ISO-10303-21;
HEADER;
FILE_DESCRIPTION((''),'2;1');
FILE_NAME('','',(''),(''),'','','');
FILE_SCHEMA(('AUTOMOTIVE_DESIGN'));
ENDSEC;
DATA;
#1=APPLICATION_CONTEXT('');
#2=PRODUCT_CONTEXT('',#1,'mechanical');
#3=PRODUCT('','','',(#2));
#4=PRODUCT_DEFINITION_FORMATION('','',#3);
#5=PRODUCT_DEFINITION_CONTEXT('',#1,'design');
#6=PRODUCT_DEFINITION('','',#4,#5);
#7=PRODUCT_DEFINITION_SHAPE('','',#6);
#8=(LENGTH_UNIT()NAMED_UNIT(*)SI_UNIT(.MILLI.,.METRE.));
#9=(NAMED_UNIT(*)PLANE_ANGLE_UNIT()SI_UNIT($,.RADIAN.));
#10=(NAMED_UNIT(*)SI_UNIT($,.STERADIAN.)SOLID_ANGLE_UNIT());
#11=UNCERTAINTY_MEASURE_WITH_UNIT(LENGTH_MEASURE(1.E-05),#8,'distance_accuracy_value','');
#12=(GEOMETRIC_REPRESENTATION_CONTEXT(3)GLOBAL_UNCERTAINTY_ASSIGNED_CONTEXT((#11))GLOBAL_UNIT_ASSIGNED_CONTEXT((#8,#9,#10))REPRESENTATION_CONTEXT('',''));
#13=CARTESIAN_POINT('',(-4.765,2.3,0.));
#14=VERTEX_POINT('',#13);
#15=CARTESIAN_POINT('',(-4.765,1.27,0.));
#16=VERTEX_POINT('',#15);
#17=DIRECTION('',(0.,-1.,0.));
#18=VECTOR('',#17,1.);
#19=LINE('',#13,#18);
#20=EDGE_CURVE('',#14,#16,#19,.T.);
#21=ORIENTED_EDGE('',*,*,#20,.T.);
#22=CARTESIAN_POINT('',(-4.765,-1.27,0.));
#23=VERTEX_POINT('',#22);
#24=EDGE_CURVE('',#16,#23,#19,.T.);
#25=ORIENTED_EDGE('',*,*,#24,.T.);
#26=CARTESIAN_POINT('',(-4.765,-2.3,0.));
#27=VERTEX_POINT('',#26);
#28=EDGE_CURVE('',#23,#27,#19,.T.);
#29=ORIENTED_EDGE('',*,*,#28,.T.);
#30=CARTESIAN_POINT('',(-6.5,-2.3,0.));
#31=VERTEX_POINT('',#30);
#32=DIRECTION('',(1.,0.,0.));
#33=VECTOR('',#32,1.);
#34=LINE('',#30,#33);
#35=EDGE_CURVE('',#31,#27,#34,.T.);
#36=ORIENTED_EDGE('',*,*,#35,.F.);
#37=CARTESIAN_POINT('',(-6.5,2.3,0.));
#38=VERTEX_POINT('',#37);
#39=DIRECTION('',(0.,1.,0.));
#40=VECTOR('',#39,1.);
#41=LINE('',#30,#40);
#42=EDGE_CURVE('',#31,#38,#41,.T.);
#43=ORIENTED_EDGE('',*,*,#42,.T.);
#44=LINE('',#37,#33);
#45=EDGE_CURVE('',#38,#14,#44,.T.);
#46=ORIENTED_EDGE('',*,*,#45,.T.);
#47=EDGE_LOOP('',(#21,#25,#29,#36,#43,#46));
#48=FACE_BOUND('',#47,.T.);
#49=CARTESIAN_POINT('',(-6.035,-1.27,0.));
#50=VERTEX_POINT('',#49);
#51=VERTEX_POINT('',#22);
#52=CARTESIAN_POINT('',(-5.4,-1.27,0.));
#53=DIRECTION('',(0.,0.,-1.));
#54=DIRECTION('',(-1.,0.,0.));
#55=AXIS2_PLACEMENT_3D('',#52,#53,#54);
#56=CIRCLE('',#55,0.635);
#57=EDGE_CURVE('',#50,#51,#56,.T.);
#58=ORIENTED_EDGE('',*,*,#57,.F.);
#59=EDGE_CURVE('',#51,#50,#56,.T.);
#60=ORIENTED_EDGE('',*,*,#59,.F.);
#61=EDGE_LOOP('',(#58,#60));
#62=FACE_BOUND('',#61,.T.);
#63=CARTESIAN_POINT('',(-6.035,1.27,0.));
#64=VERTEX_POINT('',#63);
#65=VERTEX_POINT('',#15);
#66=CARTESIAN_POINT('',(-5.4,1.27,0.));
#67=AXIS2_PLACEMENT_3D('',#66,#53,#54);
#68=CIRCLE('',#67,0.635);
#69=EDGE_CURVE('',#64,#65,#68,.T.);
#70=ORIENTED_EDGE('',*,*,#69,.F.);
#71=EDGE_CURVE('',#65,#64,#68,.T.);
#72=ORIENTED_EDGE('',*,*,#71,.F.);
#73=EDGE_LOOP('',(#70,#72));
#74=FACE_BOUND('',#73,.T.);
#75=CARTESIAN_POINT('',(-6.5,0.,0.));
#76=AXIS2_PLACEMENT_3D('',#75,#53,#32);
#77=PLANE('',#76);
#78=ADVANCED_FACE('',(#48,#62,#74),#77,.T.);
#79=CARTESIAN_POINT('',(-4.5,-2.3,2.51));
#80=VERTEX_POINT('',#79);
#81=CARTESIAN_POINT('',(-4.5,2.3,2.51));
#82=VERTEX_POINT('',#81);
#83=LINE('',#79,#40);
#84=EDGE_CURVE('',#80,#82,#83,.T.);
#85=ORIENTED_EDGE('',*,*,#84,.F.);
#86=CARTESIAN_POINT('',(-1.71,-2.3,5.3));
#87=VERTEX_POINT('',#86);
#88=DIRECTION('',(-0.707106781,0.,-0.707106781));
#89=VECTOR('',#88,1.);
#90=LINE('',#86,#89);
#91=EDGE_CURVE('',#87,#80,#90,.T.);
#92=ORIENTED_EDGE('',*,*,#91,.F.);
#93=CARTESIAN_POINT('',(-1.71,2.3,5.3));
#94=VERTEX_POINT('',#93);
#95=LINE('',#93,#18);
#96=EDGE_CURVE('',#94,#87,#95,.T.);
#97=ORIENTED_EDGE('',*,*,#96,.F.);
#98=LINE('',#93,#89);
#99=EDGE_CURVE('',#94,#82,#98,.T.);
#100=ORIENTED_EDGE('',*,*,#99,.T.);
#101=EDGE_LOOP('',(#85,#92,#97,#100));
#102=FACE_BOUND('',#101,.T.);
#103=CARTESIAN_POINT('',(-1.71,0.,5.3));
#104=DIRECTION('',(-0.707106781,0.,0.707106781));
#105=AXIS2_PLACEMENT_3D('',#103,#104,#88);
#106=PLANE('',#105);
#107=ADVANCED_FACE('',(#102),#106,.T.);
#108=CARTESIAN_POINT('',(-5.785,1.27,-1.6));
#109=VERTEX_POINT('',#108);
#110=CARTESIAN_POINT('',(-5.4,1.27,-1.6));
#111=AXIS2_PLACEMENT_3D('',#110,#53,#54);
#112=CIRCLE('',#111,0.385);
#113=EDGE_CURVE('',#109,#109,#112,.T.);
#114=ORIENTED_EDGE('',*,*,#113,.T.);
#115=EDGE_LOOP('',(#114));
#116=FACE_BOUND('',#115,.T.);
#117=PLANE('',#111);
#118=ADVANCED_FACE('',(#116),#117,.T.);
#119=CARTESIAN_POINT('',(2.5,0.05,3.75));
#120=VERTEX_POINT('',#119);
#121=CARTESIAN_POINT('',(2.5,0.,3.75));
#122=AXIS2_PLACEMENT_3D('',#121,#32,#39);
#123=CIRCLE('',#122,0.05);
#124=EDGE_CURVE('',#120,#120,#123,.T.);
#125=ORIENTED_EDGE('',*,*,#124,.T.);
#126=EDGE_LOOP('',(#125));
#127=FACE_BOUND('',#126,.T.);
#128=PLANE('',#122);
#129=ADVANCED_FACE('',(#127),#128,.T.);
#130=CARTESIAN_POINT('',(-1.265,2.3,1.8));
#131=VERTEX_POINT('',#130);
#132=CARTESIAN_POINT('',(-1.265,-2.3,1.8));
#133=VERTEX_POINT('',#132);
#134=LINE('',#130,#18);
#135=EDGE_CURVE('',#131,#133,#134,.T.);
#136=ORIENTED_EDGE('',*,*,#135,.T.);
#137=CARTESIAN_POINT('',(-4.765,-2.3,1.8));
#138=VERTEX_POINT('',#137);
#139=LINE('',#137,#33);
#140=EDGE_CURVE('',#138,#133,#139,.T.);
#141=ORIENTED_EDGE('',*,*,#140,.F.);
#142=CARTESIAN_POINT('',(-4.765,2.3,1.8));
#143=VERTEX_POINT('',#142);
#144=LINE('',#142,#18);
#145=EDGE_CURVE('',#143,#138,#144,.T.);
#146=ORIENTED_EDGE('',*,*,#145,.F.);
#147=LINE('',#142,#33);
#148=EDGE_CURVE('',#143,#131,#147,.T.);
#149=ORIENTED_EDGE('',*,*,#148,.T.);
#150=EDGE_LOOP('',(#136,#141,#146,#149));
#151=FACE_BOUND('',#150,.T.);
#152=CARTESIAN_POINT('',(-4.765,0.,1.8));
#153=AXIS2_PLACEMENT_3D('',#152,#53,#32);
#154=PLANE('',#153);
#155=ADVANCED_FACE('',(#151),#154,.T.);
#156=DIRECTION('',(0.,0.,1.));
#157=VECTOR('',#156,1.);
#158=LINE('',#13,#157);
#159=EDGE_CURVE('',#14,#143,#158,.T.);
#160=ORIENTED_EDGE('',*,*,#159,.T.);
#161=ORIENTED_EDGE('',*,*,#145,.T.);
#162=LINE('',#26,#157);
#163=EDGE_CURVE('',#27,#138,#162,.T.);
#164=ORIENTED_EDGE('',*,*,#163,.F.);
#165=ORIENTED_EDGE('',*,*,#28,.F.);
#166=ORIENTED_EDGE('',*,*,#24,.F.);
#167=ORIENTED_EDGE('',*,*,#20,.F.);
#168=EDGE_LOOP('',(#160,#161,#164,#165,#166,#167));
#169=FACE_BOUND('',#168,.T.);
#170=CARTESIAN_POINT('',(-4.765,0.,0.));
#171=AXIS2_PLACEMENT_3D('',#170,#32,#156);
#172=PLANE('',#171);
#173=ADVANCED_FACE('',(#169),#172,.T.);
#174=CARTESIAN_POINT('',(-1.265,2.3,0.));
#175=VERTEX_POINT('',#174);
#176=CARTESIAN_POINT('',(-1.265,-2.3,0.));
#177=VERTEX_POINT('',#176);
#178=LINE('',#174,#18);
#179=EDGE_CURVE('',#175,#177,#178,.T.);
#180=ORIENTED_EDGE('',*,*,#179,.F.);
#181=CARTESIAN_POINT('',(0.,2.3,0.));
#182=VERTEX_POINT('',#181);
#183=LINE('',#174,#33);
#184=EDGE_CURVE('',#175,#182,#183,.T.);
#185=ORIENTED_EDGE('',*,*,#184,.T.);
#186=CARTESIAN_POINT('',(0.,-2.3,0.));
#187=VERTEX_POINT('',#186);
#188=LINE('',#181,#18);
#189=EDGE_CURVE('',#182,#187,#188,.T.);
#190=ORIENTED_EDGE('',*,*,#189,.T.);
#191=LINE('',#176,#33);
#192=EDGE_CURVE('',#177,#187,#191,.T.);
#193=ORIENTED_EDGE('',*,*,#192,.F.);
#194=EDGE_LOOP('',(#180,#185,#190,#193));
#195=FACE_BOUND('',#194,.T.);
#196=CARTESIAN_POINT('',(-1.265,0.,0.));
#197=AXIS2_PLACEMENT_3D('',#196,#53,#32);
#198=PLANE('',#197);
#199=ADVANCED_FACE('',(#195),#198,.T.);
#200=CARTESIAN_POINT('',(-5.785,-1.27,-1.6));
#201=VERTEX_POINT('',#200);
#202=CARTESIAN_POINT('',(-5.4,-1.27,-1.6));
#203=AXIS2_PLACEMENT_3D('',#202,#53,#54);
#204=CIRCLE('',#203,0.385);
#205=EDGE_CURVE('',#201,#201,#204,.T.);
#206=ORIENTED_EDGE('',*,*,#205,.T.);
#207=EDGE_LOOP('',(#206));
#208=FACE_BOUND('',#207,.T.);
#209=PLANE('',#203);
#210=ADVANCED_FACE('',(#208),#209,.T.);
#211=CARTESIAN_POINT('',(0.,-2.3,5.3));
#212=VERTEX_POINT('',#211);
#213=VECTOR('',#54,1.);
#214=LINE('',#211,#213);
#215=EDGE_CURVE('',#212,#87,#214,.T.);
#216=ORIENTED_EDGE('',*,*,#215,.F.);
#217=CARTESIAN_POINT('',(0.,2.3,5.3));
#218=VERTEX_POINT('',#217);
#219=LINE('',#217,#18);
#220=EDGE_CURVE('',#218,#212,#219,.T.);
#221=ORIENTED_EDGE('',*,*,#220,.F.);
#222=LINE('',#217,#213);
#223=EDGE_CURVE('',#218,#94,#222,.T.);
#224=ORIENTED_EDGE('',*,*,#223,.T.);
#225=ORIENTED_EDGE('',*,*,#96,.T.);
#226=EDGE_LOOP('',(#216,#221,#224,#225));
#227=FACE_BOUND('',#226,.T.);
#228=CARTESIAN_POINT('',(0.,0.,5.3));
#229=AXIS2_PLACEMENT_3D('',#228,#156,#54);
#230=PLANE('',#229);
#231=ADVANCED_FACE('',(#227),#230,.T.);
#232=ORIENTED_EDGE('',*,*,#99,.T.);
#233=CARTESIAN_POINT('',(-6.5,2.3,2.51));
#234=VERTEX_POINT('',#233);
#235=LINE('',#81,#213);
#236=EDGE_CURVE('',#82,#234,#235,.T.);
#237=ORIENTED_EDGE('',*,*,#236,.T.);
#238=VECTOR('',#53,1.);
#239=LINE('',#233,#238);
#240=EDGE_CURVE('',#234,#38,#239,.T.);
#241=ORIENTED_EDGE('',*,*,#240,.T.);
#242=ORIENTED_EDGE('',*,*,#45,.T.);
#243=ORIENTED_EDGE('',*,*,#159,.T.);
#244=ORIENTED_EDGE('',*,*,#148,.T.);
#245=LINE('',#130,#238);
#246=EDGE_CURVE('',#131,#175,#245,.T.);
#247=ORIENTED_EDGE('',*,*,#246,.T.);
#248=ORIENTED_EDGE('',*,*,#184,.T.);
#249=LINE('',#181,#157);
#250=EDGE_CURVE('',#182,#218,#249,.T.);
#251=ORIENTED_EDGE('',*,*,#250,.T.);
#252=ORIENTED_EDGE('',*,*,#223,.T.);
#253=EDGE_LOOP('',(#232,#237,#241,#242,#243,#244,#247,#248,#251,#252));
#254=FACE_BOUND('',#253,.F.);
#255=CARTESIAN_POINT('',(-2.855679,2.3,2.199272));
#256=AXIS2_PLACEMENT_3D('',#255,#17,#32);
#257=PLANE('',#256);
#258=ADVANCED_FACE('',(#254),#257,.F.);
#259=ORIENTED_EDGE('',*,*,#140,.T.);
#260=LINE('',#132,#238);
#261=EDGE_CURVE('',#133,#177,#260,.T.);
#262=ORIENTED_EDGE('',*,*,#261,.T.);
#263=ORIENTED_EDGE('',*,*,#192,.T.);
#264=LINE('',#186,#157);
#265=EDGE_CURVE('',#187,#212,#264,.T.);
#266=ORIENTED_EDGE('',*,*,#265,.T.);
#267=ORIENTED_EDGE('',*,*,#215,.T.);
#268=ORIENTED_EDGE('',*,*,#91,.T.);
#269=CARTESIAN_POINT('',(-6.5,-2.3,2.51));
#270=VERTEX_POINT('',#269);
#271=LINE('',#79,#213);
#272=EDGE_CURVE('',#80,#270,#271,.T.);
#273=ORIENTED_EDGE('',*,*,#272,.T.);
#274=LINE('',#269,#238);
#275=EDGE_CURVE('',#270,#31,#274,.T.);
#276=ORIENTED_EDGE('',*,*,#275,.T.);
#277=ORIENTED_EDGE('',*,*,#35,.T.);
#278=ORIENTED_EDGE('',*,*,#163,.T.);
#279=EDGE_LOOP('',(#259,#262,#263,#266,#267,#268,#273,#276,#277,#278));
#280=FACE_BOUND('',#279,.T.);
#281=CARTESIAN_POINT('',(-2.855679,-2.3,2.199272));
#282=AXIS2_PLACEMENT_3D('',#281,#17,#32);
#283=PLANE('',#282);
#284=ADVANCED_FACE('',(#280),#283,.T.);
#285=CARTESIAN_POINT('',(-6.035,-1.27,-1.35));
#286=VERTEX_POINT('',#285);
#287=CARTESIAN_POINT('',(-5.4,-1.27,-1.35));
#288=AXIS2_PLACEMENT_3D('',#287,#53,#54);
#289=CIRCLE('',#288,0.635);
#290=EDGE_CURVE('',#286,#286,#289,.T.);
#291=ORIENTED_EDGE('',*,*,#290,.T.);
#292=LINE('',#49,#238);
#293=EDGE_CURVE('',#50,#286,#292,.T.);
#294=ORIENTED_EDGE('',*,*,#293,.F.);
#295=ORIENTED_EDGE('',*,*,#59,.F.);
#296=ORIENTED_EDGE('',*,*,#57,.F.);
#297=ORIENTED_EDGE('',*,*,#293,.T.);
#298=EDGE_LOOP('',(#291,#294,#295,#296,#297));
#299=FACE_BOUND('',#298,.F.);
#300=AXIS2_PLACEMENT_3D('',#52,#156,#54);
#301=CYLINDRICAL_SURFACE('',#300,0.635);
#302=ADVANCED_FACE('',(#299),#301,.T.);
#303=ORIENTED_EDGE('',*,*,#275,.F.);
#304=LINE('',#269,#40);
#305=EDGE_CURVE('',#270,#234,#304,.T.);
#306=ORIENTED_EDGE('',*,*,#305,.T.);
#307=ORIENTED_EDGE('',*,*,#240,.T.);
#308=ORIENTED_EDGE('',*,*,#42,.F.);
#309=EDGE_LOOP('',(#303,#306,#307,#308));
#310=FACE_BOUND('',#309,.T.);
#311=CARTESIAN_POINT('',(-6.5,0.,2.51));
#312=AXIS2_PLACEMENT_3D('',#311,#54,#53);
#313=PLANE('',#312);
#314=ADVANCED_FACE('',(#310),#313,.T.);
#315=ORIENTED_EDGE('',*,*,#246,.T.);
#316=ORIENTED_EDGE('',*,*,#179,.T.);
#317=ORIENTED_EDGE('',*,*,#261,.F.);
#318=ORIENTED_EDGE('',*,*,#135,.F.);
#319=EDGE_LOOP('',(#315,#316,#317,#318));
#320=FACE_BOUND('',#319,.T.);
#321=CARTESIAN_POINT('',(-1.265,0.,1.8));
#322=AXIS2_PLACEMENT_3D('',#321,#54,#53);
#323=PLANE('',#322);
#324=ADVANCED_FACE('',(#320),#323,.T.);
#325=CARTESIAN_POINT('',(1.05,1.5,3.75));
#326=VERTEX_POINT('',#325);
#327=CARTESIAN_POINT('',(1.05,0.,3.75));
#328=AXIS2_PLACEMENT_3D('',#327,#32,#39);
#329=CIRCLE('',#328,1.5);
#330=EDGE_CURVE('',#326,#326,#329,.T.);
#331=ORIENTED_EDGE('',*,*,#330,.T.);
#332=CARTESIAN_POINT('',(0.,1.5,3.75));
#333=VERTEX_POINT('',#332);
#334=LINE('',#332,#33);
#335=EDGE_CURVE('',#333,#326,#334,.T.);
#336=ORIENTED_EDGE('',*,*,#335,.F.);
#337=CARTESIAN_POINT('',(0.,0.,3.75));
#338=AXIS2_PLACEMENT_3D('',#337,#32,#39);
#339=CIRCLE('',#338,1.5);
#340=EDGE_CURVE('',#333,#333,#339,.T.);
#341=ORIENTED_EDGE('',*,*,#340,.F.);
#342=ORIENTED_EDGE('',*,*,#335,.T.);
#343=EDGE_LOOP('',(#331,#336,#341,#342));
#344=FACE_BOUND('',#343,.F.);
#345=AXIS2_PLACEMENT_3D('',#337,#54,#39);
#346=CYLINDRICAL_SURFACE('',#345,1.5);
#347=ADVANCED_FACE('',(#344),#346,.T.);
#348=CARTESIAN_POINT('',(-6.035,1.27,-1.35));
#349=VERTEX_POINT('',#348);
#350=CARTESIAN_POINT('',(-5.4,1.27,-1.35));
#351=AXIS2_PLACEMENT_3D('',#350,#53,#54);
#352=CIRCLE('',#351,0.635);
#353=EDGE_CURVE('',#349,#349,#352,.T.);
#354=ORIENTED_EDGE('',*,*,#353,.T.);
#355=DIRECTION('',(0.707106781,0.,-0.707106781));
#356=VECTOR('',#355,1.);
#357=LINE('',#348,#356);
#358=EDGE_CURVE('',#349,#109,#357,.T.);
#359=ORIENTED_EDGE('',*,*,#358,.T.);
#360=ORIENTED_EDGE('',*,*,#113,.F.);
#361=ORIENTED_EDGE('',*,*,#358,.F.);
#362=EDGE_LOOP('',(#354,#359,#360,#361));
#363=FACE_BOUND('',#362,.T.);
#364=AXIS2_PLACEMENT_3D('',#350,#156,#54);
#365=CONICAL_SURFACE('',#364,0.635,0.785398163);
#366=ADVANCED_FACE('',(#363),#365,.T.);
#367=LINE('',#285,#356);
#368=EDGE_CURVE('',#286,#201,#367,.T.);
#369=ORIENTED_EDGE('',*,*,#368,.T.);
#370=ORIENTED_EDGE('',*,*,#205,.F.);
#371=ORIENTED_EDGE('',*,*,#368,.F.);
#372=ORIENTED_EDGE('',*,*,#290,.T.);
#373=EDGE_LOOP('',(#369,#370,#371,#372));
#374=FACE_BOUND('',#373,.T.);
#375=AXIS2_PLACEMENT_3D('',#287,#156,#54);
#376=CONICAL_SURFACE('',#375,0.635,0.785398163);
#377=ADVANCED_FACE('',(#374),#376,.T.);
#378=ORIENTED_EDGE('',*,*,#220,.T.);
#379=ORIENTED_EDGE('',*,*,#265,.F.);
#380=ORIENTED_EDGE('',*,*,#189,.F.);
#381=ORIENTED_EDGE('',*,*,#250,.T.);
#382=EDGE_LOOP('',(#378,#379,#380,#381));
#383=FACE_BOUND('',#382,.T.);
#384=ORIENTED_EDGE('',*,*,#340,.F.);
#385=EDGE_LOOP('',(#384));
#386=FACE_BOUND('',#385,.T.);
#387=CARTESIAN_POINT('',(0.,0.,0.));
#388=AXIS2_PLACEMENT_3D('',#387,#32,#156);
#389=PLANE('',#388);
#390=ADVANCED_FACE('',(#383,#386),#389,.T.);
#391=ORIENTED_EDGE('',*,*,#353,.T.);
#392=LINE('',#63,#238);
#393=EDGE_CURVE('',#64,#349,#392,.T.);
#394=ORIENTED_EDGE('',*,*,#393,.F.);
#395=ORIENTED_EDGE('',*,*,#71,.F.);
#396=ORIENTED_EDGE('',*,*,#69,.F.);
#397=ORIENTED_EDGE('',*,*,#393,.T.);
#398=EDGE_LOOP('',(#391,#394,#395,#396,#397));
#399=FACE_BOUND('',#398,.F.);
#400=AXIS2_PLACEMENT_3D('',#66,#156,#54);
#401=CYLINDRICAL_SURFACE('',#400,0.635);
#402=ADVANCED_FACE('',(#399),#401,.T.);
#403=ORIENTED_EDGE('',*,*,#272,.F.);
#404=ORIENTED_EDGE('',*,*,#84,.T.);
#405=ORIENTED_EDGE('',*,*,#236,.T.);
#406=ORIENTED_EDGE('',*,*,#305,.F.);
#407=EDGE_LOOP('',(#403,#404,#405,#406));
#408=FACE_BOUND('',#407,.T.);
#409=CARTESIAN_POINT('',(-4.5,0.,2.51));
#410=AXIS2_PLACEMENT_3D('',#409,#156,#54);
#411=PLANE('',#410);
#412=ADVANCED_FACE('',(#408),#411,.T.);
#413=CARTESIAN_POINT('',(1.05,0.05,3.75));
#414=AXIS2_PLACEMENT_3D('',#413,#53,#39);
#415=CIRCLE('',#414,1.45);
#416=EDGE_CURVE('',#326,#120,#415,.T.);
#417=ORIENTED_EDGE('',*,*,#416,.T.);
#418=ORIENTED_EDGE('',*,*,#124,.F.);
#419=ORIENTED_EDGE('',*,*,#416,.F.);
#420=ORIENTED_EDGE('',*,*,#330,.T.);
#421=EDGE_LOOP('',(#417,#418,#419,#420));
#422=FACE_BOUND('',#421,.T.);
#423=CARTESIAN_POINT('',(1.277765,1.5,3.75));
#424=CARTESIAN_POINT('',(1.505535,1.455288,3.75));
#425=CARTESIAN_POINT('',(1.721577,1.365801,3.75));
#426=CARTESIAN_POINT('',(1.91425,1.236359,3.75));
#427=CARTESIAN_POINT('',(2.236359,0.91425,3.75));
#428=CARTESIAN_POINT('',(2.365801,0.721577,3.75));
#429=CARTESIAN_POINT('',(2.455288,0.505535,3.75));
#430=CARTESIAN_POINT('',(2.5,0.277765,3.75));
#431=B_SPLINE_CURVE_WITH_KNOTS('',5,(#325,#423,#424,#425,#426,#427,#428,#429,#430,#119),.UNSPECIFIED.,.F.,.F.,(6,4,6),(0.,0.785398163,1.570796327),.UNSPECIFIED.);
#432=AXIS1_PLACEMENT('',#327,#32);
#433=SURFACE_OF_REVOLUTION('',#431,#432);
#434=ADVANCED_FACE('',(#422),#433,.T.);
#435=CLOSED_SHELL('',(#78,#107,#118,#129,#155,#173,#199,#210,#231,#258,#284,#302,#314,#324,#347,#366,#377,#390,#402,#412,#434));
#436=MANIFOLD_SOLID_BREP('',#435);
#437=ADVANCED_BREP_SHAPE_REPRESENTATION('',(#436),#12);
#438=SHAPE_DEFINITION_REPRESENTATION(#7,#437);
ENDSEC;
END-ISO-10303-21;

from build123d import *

# Parameters (mm, degrees)
PAD_DEPTH    = 2.3
SKETCH001_R  = 0.635
PAD001_DEPTH = 1.6
SKETCH002_R  = 1.5
PAD002_DEPTH = 2.5
FILLET_R     = 1.45
CHAMFER_SIZE = 0.25


with BuildPart() as part:
    # Sketch → Pad (new body, symmetric)
    with BuildSketch(Plane.XZ):
        Polygon((-6.5, 0), (-4.765, 0), (-4.765, 1.8), (-1.265, 1.8), (-1.265, 0), (0, 0), (0, 5.3), (-1.71, 5.3), (-4.5, 2.51), (-6.5, 2.51), align=None)
    extrude(amount=PAD_DEPTH, both=True)

    # Sketch001 → Pad001 (join)
    with BuildSketch(Plane(origin=(0, 0, 0), x_dir=(-1, 0, 0), z_dir=(0, 0, -1))):
        with Locations((5.4, 1.27)):
            Circle(SKETCH001_R)
        with Locations((5.4, -1.27)):
            Circle(SKETCH001_R)
    extrude(amount=PAD001_DEPTH)

    # Sketch002 → Pad002 (join)
    with BuildSketch(Plane.YZ):
        with Locations((0, 3.75)):
            Circle(SKETCH002_R)
    extrude(amount=PAD002_DEPTH)

    # Fillet
    fillet_edges = [part.edges().sort_by_distance(p)[0] for p in [
        (2.5, -1.5, 3.75),
    ]]
    fillet(fillet_edges, radius=FILLET_R)

    # Chamfer
    chamfer_edges = [part.edges().sort_by_distance(p)[0] for p in [
        (-4.765, 1.27, -1.6),
        (-4.765, -1.27, -1.6),
    ]]
    chamfer(chamfer_edges, length=CHAMFER_SIZE)


solid = part.part
